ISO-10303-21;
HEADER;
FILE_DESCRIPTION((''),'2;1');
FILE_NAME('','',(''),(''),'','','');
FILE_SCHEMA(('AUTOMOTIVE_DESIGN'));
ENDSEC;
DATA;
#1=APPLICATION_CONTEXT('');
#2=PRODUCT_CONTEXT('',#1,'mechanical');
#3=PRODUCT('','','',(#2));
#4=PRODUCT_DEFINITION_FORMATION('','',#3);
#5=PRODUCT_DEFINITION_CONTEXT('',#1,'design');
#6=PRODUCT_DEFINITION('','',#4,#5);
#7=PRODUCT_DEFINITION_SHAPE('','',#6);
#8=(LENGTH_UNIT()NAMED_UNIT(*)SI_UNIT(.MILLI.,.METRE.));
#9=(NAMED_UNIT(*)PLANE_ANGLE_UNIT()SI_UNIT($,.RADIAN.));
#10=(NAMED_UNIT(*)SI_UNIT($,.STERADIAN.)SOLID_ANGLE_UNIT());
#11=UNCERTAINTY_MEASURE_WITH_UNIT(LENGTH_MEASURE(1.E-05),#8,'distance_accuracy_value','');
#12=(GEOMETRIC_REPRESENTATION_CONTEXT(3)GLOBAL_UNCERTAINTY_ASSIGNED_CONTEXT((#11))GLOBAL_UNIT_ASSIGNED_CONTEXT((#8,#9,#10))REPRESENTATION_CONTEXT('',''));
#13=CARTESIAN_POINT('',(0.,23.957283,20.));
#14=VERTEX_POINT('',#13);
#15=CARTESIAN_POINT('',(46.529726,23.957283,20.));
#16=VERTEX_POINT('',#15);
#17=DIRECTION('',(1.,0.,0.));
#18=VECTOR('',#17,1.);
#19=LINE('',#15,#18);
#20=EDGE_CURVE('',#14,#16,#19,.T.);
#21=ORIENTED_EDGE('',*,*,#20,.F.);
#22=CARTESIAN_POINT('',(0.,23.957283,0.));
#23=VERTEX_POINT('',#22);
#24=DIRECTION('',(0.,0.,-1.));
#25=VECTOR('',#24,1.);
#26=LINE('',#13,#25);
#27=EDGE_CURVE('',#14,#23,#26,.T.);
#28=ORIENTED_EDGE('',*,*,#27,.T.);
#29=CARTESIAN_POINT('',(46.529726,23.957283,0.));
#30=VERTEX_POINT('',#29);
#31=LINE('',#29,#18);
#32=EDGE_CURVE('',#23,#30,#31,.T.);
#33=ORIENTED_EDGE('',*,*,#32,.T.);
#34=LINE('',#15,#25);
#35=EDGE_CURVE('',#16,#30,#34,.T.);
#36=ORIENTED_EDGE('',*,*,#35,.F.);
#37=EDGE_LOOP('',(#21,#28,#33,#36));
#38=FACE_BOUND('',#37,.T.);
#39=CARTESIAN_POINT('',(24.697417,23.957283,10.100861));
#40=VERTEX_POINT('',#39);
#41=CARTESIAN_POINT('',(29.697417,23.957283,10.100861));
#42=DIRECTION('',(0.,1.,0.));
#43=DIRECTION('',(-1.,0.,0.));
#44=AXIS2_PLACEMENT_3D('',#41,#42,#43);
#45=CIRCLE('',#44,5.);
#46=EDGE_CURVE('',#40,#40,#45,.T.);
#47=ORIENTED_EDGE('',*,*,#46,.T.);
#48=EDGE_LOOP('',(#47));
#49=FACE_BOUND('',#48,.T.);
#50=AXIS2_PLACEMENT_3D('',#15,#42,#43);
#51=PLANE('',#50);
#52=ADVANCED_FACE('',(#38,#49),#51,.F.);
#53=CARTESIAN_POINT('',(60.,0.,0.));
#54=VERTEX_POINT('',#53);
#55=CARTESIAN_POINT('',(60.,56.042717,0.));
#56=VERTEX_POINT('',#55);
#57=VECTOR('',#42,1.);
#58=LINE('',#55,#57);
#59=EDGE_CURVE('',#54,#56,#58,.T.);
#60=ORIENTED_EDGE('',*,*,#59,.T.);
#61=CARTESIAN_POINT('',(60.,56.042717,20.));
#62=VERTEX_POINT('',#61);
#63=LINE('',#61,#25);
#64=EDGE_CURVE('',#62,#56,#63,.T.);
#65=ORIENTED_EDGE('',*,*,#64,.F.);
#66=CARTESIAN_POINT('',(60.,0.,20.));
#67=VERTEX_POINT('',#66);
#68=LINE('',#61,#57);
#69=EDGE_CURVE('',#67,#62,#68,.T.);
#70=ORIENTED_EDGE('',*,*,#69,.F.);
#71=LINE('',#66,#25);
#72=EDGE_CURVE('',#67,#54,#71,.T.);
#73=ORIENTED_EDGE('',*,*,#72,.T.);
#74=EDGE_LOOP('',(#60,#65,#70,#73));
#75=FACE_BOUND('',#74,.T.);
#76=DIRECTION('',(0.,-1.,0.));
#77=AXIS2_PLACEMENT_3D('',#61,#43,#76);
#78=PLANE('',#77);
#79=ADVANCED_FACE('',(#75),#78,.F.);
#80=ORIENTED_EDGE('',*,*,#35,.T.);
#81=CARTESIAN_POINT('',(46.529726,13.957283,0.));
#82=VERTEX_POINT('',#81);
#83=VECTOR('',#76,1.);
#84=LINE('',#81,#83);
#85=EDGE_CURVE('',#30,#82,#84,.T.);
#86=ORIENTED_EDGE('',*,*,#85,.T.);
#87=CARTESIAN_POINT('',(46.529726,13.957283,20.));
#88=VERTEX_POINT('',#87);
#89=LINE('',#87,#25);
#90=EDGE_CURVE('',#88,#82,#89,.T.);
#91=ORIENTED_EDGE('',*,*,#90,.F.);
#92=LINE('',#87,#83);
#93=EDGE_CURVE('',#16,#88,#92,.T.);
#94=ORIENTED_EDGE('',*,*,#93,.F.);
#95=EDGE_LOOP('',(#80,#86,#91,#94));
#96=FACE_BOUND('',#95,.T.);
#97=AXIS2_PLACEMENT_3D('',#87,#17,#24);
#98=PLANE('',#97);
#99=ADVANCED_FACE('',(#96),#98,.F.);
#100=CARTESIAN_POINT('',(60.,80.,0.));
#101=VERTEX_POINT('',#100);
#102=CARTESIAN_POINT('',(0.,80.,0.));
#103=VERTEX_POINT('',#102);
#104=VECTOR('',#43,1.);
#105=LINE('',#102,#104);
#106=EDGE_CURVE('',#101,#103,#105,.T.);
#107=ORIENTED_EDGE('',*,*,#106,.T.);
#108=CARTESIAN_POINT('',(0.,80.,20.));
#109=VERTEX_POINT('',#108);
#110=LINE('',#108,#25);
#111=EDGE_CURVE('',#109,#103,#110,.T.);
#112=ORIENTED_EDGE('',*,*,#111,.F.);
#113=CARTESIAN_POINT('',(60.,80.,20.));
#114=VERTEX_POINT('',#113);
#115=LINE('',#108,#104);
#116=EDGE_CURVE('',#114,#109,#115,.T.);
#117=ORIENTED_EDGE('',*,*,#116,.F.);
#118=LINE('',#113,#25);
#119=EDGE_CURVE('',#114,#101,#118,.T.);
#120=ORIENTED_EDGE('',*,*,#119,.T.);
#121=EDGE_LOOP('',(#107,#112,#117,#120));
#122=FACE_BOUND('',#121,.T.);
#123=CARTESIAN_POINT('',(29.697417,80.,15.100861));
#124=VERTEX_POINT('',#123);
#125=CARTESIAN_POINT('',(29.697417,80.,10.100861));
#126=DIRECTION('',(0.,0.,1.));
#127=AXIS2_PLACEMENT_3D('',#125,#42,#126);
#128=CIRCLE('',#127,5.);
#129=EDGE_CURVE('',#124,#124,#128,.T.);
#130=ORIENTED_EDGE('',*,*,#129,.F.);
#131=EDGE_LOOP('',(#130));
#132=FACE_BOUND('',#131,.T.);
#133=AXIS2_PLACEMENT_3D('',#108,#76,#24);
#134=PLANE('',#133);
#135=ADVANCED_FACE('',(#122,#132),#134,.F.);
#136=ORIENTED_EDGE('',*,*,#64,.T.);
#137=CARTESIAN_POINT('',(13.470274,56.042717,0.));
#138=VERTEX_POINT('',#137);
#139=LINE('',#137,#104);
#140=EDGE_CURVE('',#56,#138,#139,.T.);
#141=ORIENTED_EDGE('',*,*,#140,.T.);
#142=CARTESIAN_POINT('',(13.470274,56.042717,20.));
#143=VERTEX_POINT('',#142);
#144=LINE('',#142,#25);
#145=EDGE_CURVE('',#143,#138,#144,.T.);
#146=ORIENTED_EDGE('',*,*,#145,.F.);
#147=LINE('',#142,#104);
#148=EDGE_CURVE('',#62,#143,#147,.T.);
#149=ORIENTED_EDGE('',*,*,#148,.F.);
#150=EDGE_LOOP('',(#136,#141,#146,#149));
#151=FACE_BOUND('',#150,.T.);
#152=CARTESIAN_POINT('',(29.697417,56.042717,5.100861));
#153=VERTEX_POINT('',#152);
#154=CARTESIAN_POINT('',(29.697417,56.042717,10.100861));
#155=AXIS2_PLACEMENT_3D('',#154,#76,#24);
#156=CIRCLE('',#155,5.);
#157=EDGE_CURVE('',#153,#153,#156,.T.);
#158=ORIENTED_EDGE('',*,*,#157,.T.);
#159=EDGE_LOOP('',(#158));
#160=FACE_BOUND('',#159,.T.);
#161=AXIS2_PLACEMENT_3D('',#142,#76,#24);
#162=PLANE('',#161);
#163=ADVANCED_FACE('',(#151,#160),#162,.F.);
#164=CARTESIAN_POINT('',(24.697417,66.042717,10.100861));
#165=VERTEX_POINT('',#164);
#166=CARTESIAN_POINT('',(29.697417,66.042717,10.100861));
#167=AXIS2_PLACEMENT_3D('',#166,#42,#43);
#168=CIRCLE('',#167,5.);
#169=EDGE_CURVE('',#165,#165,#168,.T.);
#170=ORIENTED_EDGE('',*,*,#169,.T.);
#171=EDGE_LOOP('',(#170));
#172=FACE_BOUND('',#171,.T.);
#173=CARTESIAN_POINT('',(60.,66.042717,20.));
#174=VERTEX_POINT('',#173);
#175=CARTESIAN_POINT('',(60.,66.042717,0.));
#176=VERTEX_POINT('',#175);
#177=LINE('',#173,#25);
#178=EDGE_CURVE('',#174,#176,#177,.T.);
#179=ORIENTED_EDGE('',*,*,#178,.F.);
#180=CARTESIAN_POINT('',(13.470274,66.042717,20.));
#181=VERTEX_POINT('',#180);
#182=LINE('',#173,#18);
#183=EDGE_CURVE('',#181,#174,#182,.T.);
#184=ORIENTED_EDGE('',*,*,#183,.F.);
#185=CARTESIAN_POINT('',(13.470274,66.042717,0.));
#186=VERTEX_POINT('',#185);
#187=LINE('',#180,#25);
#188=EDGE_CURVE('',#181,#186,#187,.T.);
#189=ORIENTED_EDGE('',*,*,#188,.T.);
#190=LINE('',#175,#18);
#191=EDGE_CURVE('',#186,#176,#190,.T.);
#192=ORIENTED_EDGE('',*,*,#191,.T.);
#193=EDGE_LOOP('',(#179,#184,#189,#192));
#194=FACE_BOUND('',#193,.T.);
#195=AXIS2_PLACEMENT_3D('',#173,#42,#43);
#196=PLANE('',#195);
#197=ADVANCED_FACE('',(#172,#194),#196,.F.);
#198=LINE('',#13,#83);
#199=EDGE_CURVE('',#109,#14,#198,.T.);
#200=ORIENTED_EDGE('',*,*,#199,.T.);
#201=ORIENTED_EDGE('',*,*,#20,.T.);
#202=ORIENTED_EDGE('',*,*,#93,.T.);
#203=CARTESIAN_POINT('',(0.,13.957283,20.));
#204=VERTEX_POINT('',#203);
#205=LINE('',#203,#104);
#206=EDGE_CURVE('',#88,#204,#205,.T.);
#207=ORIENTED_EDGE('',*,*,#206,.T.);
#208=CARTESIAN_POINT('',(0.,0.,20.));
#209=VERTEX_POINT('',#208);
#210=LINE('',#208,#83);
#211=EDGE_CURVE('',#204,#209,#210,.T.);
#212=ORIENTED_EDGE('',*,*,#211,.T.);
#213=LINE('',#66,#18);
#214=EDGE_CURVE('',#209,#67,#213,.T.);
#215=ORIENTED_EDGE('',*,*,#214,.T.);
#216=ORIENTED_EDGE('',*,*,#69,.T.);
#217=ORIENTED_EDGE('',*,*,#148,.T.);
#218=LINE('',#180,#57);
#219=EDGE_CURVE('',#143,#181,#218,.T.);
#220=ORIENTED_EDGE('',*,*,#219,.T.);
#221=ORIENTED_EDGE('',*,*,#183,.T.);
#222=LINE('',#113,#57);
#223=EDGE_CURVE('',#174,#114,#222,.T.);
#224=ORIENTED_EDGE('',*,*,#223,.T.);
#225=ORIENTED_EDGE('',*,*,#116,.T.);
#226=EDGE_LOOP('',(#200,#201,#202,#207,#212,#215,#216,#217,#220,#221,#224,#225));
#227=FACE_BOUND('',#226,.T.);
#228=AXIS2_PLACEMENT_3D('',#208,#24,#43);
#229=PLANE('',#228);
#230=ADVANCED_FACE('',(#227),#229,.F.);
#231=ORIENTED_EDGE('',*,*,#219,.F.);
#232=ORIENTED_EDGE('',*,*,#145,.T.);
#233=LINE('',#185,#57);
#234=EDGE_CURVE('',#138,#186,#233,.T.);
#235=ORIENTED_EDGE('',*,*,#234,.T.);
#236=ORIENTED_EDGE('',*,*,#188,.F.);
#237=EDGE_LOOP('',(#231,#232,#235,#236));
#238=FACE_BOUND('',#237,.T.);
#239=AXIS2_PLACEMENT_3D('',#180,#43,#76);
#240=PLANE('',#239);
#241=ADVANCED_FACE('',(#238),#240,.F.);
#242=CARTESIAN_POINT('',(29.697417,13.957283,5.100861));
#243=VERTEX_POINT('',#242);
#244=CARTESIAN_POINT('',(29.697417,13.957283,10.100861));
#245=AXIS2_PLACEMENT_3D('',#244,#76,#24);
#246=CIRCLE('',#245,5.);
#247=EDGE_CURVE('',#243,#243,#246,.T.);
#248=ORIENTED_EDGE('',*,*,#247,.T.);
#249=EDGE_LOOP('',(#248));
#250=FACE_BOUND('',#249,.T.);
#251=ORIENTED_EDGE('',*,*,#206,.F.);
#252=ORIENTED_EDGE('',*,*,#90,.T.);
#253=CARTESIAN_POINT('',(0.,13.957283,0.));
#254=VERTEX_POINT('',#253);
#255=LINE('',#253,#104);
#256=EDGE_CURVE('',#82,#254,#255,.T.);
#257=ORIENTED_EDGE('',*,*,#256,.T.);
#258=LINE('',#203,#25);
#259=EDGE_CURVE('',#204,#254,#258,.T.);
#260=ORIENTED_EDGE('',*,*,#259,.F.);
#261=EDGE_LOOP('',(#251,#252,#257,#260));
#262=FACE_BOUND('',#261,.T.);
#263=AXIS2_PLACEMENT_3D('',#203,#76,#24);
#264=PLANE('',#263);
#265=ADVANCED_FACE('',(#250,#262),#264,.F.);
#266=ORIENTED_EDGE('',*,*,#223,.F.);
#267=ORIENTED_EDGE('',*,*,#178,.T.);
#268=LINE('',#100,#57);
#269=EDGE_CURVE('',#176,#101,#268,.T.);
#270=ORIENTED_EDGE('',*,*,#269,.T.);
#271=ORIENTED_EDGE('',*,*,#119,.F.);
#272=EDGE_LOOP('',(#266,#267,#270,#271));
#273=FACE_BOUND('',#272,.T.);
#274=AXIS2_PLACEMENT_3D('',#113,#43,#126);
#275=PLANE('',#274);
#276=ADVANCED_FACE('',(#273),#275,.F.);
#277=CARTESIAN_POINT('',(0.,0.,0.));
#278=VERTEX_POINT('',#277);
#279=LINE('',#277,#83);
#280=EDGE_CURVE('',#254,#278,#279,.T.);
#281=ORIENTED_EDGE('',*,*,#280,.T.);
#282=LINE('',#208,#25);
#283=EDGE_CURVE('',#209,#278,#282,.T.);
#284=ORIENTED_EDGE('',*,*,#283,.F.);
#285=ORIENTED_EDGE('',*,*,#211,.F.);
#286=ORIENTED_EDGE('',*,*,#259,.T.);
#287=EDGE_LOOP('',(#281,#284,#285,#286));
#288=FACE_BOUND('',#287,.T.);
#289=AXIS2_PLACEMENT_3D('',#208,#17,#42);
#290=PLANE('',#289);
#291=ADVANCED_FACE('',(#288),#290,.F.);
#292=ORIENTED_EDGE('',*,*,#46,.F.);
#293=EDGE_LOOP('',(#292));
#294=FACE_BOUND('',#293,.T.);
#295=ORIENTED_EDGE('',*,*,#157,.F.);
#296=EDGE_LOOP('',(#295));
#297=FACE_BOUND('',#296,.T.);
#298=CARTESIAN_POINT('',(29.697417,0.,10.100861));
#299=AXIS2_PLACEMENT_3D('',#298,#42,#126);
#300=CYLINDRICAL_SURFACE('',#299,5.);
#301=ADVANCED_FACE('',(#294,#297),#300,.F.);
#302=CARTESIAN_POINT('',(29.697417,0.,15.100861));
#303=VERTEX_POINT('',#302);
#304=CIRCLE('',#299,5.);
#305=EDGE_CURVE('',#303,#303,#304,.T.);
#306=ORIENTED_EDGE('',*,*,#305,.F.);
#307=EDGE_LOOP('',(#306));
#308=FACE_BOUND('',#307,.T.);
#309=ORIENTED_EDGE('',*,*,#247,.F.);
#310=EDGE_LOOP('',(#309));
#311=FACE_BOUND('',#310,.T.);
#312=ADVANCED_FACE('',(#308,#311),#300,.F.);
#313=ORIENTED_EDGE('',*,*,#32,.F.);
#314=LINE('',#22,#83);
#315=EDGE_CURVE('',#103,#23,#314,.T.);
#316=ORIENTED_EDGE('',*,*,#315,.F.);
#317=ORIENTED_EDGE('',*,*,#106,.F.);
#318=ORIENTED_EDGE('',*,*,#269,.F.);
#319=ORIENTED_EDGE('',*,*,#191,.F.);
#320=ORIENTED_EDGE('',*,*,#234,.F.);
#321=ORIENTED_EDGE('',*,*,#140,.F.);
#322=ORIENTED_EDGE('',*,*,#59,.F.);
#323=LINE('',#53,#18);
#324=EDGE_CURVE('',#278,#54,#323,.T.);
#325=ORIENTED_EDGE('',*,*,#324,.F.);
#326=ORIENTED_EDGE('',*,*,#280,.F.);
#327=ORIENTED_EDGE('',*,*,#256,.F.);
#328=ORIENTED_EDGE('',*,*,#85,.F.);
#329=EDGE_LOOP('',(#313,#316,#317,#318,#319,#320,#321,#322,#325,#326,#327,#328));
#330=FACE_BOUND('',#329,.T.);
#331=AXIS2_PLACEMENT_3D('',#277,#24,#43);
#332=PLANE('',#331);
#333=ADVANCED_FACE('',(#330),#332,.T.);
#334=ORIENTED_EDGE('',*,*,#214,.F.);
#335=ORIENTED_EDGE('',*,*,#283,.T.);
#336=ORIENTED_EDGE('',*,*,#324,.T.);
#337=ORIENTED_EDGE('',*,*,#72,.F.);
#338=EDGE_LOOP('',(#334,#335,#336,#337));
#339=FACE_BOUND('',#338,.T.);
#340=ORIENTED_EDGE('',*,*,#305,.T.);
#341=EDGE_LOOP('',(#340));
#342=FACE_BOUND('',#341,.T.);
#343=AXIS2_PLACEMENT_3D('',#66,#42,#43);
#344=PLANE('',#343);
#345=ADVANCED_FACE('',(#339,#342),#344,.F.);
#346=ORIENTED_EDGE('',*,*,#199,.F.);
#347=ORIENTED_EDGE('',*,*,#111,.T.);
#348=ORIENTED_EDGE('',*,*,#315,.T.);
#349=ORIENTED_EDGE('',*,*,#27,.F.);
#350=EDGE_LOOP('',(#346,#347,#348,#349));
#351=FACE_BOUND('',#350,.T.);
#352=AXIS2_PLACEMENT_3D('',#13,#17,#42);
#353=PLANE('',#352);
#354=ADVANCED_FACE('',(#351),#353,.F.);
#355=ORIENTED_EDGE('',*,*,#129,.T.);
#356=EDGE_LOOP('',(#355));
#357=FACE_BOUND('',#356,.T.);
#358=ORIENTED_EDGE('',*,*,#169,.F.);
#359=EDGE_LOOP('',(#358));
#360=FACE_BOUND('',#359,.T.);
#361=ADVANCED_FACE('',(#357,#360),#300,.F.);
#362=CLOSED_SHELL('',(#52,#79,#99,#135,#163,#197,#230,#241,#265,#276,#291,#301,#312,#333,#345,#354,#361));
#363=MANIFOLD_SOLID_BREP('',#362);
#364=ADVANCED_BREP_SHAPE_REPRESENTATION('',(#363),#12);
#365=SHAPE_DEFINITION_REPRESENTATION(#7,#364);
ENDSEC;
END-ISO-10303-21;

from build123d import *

# Parameters (mm, degrees)
BOSS_EXTRUDE1_DEPTH = 20
SKETCH2_R           = 5
CUT_EXTRUDE1_DEPTH  = 102.980390272


with BuildPart() as part:
    # Sketch1 → Boss-Extrude1 (new body)
    with BuildSketch(Plane.XY):
        Polygon((0, 80), (60, 80), (60, 66.042717231), (13.470274345, 66.042717231), (13.470274345, 56.042717231), (60, 56.042717231), (60, 0), (0, 0), (0, 13.957282769), (46.529725655, 13.957282769), (46.529725655, 23.957282769), (0, 23.957282769), align=None)
    extrude(amount=BOSS_EXTRUDE1_DEPTH)

    # Sketch2 → Cut-Extrude1 (cut, through all)
    with BuildSketch(Plane(origin=(0, 80, 0), x_dir=(1, 0, 0), z_dir=(0, 1, 0))):
        with Locations(Location((29.69741662, -10.100861127, 0), (0, 0, 270))):
            Circle(SKETCH2_R)
    extrude(amount=-CUT_EXTRUDE1_DEPTH, mode=Mode.SUBTRACT)


solid = part.part
